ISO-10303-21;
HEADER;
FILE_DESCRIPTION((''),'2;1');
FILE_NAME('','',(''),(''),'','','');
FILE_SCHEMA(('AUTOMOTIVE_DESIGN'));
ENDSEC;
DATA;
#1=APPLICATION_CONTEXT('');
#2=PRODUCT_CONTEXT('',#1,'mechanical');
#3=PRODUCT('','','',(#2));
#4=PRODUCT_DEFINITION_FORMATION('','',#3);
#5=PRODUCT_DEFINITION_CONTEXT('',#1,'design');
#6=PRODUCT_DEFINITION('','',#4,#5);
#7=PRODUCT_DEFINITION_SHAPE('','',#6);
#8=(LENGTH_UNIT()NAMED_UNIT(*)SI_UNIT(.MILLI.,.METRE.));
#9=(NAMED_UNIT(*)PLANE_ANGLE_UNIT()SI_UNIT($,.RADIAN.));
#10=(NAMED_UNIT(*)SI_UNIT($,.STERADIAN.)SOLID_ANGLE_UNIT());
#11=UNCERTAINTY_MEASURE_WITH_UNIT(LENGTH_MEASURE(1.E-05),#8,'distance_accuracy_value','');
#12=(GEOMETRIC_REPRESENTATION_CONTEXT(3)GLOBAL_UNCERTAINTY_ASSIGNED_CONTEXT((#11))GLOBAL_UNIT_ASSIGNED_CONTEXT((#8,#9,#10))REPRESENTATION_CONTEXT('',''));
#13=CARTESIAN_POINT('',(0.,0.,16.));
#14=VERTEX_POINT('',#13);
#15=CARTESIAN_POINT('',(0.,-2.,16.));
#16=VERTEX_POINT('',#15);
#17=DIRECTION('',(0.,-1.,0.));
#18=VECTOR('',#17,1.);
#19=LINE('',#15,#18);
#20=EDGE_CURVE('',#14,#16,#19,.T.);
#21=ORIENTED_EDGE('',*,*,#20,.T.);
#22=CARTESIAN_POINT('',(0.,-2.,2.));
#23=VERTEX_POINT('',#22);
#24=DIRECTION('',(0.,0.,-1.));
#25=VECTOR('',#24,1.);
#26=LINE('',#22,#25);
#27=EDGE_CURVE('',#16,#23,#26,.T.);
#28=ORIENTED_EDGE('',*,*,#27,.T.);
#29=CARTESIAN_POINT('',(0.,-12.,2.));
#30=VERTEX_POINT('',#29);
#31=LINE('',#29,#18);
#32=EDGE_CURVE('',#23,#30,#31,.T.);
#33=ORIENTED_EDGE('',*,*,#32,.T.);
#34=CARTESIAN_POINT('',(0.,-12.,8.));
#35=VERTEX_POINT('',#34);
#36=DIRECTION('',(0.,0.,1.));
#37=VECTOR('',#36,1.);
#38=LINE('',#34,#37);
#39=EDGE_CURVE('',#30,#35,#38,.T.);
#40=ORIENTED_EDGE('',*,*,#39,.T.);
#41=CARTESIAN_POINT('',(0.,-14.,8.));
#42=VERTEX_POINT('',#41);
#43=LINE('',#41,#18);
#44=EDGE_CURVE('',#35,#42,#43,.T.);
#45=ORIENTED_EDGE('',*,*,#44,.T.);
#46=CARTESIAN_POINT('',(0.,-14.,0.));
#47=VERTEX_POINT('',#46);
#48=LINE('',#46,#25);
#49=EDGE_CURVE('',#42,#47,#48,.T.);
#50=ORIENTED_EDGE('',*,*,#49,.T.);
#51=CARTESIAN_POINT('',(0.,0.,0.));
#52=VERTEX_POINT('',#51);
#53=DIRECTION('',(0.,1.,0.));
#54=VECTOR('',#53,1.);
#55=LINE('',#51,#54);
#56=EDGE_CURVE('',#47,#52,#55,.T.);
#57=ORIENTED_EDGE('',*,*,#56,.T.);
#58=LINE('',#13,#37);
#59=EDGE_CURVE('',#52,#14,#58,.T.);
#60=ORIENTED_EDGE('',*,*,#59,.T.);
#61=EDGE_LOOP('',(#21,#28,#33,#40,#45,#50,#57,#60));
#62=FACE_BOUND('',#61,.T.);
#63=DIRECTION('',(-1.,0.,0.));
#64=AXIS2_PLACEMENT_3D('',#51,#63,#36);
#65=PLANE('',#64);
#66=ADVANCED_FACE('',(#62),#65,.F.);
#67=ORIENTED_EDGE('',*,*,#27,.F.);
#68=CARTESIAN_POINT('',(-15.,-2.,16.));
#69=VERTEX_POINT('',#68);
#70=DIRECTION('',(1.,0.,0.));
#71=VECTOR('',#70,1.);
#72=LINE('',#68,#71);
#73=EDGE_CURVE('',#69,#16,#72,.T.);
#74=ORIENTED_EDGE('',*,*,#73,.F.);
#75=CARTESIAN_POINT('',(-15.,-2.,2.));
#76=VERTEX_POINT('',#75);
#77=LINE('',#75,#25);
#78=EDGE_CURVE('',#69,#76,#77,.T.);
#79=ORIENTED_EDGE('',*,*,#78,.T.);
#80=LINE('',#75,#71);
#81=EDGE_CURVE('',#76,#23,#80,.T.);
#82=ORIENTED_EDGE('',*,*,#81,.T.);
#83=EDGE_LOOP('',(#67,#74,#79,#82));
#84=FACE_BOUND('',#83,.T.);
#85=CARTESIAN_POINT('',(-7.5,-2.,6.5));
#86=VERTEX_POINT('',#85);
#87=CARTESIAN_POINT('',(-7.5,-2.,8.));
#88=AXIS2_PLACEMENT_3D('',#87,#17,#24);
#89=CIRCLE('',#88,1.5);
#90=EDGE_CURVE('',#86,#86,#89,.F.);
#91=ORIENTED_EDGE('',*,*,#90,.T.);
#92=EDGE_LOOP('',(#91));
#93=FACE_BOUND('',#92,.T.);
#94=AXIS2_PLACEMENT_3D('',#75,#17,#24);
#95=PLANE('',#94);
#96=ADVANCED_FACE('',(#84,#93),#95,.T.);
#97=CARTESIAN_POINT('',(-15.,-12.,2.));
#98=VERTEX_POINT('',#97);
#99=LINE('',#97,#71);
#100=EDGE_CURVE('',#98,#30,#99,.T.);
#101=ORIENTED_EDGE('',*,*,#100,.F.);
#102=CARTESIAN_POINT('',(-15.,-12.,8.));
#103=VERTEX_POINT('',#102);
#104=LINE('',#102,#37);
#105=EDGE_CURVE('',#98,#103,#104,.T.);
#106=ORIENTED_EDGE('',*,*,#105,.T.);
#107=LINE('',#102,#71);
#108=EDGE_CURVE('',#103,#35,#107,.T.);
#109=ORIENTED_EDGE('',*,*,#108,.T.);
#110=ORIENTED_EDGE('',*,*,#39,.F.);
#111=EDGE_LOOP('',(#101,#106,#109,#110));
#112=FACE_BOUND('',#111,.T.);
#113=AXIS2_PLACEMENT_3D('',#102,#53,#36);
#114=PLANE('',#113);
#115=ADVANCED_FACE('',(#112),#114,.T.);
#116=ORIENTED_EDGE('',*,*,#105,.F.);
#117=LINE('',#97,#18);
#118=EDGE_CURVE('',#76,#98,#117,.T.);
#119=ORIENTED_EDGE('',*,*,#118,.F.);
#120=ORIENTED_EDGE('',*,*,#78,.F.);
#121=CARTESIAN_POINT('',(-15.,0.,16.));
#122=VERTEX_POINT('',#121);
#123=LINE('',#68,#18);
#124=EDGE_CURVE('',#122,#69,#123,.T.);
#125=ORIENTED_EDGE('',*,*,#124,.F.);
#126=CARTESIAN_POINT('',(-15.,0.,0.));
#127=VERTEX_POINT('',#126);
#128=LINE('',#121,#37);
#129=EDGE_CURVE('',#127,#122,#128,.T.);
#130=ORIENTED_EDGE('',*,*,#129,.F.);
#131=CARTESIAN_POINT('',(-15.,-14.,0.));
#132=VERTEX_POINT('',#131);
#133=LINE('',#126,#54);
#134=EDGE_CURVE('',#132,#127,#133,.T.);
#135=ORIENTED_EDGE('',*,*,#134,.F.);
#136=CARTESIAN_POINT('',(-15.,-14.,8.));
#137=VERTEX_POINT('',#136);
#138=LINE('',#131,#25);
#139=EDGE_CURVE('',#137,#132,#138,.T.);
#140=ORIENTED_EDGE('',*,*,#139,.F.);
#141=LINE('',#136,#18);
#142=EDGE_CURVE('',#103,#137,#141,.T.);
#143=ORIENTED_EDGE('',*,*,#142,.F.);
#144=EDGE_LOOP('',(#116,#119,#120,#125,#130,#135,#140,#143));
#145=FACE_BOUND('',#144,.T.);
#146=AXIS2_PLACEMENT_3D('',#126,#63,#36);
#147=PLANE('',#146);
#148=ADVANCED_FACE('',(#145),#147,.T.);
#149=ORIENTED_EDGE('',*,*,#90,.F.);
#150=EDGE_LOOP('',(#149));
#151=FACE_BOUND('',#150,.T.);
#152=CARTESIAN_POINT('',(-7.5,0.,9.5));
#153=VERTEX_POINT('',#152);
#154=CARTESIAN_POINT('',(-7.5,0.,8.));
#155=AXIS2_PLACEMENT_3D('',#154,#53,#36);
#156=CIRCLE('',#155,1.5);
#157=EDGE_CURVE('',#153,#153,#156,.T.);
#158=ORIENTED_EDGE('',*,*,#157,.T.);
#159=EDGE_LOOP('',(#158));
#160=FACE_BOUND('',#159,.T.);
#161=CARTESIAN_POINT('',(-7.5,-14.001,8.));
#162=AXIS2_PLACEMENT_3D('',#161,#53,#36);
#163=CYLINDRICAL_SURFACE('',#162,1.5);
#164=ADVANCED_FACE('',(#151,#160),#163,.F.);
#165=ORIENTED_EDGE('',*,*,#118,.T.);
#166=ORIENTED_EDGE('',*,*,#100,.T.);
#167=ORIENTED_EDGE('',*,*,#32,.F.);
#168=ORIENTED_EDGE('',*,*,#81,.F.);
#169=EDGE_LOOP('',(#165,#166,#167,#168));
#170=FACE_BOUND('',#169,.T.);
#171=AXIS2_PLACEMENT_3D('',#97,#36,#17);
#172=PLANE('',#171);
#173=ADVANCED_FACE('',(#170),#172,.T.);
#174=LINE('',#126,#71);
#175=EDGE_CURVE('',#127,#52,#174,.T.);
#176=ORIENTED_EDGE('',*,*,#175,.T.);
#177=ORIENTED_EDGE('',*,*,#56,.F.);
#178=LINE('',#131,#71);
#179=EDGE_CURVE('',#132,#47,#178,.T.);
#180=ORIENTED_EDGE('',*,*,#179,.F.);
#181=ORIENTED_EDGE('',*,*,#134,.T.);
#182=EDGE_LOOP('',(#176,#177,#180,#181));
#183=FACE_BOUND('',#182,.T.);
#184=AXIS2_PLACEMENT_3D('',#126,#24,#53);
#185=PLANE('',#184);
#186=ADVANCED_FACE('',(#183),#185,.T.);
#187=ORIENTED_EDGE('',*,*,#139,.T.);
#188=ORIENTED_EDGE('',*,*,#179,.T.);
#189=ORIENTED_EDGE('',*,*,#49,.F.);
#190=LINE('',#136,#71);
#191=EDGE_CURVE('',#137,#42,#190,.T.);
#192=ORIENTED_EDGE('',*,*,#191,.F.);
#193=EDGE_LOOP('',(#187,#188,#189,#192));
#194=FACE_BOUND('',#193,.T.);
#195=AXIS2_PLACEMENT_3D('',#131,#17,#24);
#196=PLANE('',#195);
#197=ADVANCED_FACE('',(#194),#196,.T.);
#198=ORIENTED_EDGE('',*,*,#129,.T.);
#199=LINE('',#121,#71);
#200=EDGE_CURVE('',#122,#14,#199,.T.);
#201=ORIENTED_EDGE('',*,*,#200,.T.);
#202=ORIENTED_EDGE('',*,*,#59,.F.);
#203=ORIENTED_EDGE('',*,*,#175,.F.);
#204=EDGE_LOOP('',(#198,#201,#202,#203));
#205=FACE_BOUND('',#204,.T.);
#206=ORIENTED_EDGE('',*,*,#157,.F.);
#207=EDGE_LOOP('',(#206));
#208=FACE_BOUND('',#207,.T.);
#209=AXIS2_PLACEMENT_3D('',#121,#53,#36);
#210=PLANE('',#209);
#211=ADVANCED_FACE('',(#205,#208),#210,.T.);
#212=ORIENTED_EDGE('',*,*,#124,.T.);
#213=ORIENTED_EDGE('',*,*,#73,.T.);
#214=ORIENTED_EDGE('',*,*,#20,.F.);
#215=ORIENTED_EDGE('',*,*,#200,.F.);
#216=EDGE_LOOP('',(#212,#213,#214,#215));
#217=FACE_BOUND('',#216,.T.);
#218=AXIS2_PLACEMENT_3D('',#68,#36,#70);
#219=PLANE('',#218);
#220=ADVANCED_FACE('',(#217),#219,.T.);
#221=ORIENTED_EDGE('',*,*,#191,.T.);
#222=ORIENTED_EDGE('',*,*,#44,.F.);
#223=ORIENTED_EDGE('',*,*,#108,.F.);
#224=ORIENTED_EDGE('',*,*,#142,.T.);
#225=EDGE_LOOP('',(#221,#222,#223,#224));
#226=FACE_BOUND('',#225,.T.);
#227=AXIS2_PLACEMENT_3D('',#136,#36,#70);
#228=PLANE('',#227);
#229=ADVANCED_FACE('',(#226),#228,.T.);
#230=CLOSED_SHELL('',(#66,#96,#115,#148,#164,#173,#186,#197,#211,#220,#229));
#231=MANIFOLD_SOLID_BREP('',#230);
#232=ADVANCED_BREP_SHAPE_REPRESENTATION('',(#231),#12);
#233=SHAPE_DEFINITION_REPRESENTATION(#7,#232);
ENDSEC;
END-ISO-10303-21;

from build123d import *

# Parameters (mm, degrees)
BOSS_EXTRUDE1_DEPTH = 15
CUT_EXTRUDE1_REACH  = 16
SKETCH2_R           = 1.5


with BuildPart() as part:
    # Sketch1 → Boss-Extrude1 (new body)
    with BuildSketch(Plane(origin=(0, 0, 0), x_dir=(0, 0, -1), z_dir=(1, 0, 0))):
        Polygon((0, 0), (0, -14), (-8, -14), (-8, -12), (-2, -12), (-2, -2), (-16, -2), (-16, 0), align=None)
    extrude(amount=-BOSS_EXTRUDE1_DEPTH)

    # Sketch2 → Cut-Extrude1 (cut, up to next)
    with BuildSketch(Plane(origin=(0, 0, 0), x_dir=(1, 0, 0), z_dir=(0, 1, 0)), mode=Mode.PRIVATE) as cut_extrude1_sk1:
        with Locations((-7.5, -8)):
            Circle(SKETCH2_R)
    cut_extrude1_tool1 = extrude(cut_extrude1_sk1.sketch, amount=-CUT_EXTRUDE1_REACH, mode=Mode.PRIVATE) & part.part
    add(cut_extrude1_tool1.solids().sort_by_distance((-7.5, 0, 8))[0], mode=Mode.SUBTRACT)


solid = part.part
